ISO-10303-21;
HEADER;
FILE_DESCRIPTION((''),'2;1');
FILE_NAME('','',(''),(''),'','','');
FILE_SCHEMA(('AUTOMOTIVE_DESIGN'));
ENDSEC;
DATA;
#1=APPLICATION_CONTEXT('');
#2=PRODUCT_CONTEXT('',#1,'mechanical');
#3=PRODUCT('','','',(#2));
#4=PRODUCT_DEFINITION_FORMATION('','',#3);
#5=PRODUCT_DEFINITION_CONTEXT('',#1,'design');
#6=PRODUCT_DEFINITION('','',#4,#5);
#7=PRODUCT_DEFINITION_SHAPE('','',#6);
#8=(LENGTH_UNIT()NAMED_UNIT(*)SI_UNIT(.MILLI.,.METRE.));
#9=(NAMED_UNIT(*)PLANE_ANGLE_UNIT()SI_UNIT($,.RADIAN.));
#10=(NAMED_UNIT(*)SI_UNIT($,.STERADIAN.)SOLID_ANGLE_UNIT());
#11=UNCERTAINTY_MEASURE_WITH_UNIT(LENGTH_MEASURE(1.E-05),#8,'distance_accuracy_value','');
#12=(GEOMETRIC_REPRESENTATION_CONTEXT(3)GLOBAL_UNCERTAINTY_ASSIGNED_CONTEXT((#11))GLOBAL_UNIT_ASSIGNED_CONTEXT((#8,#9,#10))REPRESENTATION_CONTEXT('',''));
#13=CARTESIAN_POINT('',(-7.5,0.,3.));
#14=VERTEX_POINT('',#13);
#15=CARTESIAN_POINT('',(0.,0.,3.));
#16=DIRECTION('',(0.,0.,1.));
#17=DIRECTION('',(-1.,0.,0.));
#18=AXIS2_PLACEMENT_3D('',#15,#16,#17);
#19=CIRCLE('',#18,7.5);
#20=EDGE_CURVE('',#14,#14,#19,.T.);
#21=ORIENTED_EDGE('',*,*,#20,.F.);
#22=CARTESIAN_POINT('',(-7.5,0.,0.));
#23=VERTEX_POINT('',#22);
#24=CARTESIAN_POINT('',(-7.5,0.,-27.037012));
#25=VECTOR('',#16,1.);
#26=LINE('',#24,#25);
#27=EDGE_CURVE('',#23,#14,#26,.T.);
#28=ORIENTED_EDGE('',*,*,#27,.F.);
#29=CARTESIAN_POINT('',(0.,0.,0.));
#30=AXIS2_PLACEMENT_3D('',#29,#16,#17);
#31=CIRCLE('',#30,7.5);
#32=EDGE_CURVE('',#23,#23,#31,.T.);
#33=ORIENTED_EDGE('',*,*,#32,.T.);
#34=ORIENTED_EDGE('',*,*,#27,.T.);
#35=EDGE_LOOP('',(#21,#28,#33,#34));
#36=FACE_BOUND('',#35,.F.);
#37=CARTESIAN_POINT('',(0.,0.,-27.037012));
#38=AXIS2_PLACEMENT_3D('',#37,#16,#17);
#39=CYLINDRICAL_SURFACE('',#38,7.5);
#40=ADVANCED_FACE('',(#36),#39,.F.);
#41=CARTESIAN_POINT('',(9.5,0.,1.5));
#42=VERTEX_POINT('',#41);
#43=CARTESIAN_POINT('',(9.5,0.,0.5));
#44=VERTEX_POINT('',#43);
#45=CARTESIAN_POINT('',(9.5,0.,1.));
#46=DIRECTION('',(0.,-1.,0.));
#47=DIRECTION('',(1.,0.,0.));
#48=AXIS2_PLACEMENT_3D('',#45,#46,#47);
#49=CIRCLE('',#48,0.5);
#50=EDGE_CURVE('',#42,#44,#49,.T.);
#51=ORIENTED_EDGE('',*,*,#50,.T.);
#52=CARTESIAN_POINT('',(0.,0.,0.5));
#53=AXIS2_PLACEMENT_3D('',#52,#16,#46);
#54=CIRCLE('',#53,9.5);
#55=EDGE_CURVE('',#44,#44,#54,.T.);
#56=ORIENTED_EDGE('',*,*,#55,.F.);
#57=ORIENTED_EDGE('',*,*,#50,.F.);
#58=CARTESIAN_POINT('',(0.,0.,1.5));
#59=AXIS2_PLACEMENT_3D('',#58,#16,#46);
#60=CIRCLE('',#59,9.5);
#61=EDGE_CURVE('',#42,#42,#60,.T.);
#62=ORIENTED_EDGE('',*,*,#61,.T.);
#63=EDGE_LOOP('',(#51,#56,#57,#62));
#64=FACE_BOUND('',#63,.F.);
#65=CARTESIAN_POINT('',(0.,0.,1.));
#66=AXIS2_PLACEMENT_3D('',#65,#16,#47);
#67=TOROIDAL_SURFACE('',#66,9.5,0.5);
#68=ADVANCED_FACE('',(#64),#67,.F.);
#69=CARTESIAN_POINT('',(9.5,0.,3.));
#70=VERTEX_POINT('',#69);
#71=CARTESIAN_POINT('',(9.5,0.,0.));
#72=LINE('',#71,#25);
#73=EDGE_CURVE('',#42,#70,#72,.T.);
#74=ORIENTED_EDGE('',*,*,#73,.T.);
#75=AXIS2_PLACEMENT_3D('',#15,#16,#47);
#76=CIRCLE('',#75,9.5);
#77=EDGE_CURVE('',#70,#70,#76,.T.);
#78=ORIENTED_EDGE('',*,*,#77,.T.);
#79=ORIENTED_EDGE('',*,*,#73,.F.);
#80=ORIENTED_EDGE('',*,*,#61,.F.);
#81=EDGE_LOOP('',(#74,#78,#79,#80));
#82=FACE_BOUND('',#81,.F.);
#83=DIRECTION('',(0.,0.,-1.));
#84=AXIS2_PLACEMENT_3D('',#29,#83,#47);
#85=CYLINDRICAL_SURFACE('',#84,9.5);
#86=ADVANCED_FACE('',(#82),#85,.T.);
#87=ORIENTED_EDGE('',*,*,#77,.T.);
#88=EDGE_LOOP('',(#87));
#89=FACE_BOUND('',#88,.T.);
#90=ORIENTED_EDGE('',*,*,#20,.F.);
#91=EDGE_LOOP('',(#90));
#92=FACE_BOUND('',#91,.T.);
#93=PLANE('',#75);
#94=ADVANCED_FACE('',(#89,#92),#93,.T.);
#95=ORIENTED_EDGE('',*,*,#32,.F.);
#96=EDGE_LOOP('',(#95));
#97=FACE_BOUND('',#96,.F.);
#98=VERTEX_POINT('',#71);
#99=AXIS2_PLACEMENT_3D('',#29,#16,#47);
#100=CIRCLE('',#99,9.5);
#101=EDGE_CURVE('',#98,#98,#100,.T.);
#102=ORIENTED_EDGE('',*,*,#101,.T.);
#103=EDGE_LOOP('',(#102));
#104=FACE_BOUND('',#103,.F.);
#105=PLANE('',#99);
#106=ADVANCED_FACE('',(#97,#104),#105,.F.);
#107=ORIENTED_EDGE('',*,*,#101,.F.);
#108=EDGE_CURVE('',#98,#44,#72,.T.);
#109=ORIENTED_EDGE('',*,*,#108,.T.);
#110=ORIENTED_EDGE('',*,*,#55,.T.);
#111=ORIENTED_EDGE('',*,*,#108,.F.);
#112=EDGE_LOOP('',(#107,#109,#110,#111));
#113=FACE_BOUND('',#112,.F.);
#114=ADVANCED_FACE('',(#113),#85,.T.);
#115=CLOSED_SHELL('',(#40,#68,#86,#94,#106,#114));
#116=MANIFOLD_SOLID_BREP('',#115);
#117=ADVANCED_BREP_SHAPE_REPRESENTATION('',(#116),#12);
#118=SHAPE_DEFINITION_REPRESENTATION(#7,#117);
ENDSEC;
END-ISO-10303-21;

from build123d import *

# Parameters (mm, degrees)
F0_R     = 9.5
F1_DEPTH = 3
F2_R     = 0.5
F7_D     = 15


with BuildPart() as f1:
    # F0 (on Top) → F1 (new body)
    with BuildSketch(Plane.XY):
        Circle(F0_R)
    extrude(amount=F1_DEPTH)

    # F5: sweep along a path in F4
    with BuildLine(Plane.XY.offset(1)) as f5_path:
        CenterArc((0, 0), 9.5, 0, 360)
    # F2 (on Front) → F5 (sweep, cut)
    with BuildSketch(Plane.XZ):
        with Locations((9.5, 1)):
            Circle(F2_R)
    sweep(path=f5_path.line, mode=Mode.SUBTRACT)

    # F7 (through all)
    with Locations(Plane(origin=(0, 0, 0), x_dir=(1, 0, 0), z_dir=(0, 0, -1))):
        with Locations((0, 0)):
            Hole(F7_D / 2)


solid = f1.part
